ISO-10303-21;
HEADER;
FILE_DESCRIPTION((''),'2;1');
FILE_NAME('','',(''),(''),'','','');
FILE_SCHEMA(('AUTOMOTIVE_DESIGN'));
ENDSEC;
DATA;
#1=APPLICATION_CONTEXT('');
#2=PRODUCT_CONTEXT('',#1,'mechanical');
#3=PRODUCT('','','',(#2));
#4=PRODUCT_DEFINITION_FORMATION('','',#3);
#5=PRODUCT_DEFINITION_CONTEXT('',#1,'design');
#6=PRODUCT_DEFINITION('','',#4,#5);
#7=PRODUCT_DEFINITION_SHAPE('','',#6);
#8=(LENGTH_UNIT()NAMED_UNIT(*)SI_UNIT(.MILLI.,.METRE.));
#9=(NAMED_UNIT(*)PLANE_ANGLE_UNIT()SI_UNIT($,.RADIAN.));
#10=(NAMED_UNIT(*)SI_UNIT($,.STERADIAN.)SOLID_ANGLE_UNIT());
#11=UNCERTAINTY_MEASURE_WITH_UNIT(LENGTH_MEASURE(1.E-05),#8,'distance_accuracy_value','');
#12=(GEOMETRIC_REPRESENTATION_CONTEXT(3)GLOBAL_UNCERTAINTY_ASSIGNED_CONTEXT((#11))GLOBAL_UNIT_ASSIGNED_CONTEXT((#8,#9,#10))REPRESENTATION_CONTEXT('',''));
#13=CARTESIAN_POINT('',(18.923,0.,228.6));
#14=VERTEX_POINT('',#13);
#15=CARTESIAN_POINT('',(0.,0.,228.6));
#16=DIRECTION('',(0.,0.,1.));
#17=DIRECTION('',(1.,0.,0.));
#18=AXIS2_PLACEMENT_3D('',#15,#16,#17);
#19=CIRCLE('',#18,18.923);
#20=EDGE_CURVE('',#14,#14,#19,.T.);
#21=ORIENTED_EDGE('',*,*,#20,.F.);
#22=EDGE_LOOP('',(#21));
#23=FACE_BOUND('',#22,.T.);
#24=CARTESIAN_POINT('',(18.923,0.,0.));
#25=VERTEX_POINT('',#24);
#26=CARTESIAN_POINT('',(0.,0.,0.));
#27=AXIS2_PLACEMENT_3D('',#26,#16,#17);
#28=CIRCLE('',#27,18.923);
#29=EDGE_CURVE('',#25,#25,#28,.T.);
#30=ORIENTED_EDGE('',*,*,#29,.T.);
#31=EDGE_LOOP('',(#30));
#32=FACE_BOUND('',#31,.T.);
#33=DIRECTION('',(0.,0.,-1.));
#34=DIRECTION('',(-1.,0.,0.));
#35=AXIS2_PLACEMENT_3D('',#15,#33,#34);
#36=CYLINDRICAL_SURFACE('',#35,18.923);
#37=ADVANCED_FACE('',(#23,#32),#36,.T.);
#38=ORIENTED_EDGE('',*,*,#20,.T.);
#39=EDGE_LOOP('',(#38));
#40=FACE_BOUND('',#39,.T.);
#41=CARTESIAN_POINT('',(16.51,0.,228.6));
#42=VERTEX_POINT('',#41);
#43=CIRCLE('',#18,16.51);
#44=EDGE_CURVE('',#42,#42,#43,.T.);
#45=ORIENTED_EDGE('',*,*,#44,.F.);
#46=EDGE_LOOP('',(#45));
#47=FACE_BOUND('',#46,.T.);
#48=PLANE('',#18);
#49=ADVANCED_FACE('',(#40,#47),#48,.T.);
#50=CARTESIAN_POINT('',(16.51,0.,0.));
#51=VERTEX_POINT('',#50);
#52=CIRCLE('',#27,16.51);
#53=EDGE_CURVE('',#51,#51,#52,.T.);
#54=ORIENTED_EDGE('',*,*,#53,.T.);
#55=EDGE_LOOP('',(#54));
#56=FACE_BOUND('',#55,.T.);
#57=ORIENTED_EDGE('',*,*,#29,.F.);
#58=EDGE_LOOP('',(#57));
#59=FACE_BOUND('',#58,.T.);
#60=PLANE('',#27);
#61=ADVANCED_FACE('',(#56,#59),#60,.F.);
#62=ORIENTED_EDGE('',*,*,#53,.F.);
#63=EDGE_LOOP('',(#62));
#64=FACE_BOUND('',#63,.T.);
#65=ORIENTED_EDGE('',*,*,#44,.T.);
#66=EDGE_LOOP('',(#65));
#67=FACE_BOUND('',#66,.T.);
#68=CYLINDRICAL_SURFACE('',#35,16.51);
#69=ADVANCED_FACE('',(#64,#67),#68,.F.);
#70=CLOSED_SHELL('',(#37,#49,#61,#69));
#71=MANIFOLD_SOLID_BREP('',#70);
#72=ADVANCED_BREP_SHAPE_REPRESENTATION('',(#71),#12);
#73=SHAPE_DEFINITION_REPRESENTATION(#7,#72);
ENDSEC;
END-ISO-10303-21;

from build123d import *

# Parameters (mm, degrees)
SKETCH1_R           = 18.923
SKETCH1_R_2         = 16.51
BOSS_EXTRUDE1_DEPTH = 228.6


with BuildPart() as part:
    # Sketch1 → Boss-Extrude1 (new body)
    with BuildSketch(Plane.XY):
        Circle(SKETCH1_R)
        Circle(SKETCH1_R_2, mode=Mode.SUBTRACT)
    extrude(amount=BOSS_EXTRUDE1_DEPTH)


solid = part.part
